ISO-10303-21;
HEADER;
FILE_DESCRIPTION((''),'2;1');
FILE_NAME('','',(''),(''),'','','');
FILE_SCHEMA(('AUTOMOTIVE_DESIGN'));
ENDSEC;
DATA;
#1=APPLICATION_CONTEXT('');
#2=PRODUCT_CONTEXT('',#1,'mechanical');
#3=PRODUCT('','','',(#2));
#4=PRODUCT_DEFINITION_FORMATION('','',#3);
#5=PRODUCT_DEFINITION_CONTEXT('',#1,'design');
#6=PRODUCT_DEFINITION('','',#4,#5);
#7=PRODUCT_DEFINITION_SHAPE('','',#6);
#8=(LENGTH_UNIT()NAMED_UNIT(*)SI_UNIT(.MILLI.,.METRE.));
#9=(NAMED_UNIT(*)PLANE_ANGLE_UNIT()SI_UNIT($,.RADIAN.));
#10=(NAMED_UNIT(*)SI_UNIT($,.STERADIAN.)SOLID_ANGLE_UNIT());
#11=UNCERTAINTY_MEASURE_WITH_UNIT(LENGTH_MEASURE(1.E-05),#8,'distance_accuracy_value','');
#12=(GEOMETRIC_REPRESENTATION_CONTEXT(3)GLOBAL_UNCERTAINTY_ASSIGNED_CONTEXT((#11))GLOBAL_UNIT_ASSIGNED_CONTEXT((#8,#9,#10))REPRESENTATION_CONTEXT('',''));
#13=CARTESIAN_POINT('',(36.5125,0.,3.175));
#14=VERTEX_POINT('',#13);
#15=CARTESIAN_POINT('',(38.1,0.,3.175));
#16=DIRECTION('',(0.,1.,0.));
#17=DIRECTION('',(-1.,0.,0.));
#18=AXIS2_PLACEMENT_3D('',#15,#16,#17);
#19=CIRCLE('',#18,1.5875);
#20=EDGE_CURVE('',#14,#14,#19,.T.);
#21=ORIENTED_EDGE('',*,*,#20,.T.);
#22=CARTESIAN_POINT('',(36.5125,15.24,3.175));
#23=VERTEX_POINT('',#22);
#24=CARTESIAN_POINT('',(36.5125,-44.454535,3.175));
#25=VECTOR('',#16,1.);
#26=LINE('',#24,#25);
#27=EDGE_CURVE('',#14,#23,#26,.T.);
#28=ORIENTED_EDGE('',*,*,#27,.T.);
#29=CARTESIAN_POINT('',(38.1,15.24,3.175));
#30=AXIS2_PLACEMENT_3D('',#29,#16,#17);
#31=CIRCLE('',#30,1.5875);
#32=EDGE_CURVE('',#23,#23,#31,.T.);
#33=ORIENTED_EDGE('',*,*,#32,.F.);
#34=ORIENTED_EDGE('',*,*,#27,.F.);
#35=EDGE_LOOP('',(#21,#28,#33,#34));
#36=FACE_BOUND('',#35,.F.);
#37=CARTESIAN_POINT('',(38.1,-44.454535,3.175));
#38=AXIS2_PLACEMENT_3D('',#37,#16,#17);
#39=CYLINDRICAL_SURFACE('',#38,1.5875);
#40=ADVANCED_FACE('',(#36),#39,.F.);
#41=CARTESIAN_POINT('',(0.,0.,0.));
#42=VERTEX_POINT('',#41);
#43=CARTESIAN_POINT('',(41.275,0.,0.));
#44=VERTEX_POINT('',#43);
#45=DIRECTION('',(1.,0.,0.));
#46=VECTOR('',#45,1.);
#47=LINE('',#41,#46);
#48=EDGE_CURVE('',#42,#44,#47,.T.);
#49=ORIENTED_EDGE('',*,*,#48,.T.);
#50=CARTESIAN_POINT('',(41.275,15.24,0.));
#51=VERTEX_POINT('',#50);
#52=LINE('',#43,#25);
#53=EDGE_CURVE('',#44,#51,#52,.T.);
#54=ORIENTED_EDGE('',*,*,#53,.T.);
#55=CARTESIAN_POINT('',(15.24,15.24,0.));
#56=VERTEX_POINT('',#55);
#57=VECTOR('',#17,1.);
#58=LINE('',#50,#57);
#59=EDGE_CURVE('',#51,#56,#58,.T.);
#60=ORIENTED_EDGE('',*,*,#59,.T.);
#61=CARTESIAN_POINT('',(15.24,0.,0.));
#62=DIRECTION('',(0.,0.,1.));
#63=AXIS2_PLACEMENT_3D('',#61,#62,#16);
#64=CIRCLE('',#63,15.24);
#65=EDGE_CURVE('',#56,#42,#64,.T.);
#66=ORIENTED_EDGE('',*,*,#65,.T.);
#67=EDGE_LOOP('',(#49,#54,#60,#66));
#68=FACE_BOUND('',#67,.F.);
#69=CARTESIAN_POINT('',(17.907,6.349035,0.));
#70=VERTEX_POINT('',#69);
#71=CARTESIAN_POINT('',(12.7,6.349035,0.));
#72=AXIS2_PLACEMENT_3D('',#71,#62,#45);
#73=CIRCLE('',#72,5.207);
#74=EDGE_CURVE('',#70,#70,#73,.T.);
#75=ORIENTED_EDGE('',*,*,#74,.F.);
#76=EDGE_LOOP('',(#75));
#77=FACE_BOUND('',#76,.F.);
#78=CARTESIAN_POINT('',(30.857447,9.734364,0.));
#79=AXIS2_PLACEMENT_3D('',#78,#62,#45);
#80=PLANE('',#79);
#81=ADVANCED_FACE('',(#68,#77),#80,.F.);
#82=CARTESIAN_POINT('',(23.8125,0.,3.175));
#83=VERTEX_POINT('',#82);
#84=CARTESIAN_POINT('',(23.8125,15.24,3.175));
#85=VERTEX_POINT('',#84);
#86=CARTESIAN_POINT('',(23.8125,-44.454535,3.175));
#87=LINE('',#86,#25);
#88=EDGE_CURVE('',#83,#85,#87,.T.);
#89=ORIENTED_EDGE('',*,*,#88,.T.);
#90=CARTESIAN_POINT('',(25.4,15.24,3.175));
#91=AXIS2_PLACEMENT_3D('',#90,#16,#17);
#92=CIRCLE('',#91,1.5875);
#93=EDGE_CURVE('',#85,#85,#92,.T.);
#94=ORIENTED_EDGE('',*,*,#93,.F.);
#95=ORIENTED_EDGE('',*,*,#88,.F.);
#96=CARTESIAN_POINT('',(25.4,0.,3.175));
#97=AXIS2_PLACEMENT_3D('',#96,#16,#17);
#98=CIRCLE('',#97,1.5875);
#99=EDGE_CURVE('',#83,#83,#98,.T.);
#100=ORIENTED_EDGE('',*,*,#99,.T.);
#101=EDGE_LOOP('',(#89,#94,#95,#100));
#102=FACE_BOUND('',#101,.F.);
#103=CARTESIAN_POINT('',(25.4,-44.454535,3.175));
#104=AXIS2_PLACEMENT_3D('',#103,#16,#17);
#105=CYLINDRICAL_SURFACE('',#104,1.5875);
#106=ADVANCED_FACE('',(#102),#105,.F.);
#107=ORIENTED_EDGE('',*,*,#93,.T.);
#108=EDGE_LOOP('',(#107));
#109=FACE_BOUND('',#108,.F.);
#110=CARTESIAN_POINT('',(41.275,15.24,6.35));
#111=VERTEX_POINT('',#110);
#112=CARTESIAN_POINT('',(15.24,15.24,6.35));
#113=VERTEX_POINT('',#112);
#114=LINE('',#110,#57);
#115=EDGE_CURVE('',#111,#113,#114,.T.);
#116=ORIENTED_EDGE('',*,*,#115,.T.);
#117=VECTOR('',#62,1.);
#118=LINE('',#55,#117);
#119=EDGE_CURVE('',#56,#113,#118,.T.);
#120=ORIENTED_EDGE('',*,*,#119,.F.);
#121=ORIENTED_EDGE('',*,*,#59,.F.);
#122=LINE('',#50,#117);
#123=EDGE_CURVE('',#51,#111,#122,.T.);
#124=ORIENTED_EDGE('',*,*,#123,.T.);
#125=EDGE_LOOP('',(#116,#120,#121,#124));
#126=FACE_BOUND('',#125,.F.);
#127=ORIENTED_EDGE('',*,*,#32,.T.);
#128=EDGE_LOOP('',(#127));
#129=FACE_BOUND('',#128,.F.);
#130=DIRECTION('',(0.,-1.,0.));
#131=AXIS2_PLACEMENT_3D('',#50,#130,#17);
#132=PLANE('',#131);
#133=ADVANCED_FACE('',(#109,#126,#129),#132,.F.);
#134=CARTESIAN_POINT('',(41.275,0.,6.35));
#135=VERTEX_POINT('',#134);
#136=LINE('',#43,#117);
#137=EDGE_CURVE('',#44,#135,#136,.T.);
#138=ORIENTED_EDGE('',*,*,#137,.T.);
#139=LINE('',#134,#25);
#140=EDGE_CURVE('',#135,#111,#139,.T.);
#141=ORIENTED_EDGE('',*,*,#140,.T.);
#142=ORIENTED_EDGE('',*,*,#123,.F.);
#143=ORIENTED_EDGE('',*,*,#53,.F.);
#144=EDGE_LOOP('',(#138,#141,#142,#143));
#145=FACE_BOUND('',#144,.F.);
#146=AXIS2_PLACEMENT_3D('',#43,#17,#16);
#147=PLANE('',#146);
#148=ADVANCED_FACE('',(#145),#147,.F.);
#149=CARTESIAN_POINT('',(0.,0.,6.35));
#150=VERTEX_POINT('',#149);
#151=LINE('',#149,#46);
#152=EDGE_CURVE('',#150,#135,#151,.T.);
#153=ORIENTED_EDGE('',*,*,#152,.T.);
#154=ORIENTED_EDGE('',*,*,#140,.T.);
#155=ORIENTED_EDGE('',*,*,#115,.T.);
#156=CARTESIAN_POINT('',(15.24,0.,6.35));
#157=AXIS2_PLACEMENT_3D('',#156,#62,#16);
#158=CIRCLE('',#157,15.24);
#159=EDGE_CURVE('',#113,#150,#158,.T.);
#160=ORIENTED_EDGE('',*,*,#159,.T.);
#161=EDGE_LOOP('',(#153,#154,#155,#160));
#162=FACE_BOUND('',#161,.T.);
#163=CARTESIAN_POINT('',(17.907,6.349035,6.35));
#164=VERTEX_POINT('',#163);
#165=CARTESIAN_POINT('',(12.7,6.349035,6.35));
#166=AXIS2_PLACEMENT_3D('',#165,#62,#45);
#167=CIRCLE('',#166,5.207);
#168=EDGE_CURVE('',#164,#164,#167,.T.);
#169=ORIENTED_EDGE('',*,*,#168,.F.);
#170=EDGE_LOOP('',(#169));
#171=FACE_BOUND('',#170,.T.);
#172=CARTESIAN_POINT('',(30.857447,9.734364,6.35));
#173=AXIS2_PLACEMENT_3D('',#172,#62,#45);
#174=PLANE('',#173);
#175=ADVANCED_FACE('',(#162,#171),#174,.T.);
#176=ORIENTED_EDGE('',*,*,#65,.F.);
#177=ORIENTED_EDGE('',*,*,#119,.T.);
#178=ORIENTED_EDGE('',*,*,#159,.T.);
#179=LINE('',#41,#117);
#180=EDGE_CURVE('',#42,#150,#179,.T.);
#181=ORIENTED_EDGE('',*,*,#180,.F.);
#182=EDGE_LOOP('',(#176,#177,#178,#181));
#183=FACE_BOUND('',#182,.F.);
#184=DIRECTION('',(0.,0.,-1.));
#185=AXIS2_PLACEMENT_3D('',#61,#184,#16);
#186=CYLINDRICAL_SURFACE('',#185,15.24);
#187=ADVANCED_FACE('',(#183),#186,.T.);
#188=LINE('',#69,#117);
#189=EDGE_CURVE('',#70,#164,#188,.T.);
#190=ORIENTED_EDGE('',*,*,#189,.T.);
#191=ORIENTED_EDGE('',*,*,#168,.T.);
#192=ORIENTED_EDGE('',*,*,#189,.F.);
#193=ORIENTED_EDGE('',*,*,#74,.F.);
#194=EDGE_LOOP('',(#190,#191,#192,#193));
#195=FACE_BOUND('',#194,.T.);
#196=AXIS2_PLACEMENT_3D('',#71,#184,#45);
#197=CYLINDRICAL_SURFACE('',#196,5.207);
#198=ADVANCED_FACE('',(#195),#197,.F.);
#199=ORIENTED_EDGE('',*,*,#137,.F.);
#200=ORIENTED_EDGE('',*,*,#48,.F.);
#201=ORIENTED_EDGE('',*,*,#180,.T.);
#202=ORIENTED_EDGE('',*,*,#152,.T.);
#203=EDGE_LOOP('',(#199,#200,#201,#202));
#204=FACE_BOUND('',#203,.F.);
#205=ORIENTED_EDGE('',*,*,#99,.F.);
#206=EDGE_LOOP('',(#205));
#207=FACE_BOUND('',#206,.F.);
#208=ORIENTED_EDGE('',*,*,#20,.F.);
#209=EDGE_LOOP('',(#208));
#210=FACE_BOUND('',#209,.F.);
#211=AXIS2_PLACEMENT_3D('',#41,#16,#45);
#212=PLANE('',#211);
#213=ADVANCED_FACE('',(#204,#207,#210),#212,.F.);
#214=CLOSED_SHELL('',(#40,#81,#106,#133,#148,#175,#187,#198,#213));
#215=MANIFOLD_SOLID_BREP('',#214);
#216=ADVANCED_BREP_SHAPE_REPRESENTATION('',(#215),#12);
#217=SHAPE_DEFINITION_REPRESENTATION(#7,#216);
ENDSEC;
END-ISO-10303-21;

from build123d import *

# Parameters (mm, degrees)
F0_R     = 5.207
F1_DEPTH = 6.35
F3_D     = 3.175


with BuildPart() as f1:
    # F0 (on Top) → F1 (new body)
    with BuildSketch(Plane.XY):
        with BuildLine():
            ThreePointArc((15.24, 15.24), (26.0163073453, 10.7763073453), (30.48, 0))
            Line((30.48, 0), (41.275, 0))
            Line((41.275, 0), (41.275, 15.24))
            Line((41.275, 15.24), (15.24, 15.24))
        make_face()
        with BuildLine():
            ThreePointArc((15.24, 15.24), (4.4636926547, 10.7763073453), (0, 0))
            Line((0, 0), (30.48, 0))
            ThreePointArc((30.48, 0), (26.0163073453, 10.7763073453), (15.24, 15.24))
        make_face()
        with Locations((12.7, 6.3490347266)):
            Circle(F0_R, mode=Mode.SUBTRACT)
    extrude(amount=F1_DEPTH)

    # F3 (through all)
    with Locations(Plane.XZ):
        with Locations((25.4, 3.175), (38.1, 3.175)):
            Hole(F3_D / 2)


solid = f1.part
